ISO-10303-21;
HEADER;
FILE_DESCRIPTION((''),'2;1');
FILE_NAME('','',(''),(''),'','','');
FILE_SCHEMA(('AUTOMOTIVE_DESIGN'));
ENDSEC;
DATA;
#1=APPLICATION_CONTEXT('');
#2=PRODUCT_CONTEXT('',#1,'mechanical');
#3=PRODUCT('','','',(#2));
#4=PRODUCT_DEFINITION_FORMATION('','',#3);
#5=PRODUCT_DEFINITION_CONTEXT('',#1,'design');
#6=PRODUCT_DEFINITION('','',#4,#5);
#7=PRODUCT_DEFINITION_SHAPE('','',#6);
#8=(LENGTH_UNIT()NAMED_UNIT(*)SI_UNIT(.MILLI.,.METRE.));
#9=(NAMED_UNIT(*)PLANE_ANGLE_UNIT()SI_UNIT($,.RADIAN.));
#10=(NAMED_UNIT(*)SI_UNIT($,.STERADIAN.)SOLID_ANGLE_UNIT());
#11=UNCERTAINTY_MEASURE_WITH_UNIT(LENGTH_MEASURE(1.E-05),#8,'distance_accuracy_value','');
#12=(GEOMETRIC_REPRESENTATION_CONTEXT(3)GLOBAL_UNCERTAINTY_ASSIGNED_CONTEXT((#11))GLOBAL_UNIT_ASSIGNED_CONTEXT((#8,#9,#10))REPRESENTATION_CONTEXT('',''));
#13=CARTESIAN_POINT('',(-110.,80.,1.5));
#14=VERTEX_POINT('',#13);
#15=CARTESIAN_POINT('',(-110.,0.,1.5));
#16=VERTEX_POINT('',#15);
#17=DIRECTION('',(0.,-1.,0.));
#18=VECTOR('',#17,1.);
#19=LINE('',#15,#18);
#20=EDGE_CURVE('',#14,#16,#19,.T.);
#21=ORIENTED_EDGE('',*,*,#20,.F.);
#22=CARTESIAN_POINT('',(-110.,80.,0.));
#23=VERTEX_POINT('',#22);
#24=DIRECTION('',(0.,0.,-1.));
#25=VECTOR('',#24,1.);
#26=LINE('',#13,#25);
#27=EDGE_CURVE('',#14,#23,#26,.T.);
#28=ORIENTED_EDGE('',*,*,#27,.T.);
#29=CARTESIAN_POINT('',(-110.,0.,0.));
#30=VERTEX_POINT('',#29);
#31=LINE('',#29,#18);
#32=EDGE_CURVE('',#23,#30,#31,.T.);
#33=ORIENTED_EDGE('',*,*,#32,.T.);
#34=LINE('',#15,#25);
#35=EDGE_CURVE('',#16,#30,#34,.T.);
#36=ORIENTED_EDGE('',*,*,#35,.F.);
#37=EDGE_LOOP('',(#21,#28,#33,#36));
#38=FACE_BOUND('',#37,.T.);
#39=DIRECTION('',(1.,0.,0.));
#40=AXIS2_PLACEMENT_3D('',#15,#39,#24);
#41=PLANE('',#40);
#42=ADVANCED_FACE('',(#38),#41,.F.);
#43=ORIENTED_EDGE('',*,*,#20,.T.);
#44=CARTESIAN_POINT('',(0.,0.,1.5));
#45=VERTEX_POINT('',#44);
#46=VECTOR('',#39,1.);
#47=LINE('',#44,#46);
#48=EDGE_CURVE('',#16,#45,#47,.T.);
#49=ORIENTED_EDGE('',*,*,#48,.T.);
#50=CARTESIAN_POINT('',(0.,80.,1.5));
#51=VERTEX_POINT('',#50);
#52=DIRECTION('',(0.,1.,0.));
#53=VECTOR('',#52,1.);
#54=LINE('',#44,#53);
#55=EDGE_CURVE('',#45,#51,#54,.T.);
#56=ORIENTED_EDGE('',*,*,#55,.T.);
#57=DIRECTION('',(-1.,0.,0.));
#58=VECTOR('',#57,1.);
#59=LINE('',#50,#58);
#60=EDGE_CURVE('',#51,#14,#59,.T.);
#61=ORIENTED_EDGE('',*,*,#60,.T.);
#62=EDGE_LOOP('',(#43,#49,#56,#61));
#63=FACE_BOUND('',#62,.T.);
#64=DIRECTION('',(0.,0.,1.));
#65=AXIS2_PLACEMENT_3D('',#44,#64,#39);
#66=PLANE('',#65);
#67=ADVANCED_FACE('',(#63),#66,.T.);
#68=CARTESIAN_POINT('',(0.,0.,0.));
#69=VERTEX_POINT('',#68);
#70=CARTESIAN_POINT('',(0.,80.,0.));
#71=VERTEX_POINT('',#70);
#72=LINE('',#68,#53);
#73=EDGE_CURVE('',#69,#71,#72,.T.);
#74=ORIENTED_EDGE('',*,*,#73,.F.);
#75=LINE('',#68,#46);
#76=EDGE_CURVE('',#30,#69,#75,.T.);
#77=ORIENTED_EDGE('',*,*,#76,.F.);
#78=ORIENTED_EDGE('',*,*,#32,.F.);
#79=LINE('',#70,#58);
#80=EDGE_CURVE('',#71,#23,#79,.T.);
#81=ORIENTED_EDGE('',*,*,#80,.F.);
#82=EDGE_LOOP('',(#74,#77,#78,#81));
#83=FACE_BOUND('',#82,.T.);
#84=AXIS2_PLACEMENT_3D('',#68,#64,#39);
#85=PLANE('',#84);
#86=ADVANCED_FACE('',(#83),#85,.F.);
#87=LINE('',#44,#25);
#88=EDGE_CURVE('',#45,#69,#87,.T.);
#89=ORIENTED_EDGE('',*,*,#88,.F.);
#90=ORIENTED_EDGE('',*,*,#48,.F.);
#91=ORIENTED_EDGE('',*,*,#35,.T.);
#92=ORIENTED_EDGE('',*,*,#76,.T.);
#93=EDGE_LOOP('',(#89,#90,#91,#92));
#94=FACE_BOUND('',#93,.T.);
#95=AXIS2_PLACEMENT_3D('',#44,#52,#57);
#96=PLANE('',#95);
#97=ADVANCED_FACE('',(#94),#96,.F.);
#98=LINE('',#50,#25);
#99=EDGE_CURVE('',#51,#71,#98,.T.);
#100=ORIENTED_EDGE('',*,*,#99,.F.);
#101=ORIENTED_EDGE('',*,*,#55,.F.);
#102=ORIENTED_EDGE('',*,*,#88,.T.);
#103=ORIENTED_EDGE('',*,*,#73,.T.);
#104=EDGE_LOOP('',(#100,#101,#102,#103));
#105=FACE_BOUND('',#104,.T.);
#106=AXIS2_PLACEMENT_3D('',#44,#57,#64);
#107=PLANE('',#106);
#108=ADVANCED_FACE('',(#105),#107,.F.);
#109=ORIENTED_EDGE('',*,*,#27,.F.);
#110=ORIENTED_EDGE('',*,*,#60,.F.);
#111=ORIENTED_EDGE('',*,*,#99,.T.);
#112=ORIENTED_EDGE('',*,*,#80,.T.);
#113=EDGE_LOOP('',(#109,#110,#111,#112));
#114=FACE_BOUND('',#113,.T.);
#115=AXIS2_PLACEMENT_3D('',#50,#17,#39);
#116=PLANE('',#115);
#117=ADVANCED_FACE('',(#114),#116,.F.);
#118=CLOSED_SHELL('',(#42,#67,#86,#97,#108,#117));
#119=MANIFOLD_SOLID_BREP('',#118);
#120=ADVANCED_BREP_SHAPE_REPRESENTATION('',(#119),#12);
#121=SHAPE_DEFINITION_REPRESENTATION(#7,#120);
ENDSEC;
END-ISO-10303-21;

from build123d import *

# Parameters (mm, degrees)
SCHIZZO1_W                   = 110
SCHIZZO1_H                   = 80
ESTRUSIONE_ESTRUSIONE1_DEPTH = 1.5


with BuildPart() as part:
    # Schizzo1 → Estrusione-Estrusione1 (new body)
    with BuildSketch(Plane.XY):
        with Locations((-55, 40)):
            Rectangle(SCHIZZO1_W, SCHIZZO1_H)
    extrude(amount=ESTRUSIONE_ESTRUSIONE1_DEPTH)


solid = part.part
